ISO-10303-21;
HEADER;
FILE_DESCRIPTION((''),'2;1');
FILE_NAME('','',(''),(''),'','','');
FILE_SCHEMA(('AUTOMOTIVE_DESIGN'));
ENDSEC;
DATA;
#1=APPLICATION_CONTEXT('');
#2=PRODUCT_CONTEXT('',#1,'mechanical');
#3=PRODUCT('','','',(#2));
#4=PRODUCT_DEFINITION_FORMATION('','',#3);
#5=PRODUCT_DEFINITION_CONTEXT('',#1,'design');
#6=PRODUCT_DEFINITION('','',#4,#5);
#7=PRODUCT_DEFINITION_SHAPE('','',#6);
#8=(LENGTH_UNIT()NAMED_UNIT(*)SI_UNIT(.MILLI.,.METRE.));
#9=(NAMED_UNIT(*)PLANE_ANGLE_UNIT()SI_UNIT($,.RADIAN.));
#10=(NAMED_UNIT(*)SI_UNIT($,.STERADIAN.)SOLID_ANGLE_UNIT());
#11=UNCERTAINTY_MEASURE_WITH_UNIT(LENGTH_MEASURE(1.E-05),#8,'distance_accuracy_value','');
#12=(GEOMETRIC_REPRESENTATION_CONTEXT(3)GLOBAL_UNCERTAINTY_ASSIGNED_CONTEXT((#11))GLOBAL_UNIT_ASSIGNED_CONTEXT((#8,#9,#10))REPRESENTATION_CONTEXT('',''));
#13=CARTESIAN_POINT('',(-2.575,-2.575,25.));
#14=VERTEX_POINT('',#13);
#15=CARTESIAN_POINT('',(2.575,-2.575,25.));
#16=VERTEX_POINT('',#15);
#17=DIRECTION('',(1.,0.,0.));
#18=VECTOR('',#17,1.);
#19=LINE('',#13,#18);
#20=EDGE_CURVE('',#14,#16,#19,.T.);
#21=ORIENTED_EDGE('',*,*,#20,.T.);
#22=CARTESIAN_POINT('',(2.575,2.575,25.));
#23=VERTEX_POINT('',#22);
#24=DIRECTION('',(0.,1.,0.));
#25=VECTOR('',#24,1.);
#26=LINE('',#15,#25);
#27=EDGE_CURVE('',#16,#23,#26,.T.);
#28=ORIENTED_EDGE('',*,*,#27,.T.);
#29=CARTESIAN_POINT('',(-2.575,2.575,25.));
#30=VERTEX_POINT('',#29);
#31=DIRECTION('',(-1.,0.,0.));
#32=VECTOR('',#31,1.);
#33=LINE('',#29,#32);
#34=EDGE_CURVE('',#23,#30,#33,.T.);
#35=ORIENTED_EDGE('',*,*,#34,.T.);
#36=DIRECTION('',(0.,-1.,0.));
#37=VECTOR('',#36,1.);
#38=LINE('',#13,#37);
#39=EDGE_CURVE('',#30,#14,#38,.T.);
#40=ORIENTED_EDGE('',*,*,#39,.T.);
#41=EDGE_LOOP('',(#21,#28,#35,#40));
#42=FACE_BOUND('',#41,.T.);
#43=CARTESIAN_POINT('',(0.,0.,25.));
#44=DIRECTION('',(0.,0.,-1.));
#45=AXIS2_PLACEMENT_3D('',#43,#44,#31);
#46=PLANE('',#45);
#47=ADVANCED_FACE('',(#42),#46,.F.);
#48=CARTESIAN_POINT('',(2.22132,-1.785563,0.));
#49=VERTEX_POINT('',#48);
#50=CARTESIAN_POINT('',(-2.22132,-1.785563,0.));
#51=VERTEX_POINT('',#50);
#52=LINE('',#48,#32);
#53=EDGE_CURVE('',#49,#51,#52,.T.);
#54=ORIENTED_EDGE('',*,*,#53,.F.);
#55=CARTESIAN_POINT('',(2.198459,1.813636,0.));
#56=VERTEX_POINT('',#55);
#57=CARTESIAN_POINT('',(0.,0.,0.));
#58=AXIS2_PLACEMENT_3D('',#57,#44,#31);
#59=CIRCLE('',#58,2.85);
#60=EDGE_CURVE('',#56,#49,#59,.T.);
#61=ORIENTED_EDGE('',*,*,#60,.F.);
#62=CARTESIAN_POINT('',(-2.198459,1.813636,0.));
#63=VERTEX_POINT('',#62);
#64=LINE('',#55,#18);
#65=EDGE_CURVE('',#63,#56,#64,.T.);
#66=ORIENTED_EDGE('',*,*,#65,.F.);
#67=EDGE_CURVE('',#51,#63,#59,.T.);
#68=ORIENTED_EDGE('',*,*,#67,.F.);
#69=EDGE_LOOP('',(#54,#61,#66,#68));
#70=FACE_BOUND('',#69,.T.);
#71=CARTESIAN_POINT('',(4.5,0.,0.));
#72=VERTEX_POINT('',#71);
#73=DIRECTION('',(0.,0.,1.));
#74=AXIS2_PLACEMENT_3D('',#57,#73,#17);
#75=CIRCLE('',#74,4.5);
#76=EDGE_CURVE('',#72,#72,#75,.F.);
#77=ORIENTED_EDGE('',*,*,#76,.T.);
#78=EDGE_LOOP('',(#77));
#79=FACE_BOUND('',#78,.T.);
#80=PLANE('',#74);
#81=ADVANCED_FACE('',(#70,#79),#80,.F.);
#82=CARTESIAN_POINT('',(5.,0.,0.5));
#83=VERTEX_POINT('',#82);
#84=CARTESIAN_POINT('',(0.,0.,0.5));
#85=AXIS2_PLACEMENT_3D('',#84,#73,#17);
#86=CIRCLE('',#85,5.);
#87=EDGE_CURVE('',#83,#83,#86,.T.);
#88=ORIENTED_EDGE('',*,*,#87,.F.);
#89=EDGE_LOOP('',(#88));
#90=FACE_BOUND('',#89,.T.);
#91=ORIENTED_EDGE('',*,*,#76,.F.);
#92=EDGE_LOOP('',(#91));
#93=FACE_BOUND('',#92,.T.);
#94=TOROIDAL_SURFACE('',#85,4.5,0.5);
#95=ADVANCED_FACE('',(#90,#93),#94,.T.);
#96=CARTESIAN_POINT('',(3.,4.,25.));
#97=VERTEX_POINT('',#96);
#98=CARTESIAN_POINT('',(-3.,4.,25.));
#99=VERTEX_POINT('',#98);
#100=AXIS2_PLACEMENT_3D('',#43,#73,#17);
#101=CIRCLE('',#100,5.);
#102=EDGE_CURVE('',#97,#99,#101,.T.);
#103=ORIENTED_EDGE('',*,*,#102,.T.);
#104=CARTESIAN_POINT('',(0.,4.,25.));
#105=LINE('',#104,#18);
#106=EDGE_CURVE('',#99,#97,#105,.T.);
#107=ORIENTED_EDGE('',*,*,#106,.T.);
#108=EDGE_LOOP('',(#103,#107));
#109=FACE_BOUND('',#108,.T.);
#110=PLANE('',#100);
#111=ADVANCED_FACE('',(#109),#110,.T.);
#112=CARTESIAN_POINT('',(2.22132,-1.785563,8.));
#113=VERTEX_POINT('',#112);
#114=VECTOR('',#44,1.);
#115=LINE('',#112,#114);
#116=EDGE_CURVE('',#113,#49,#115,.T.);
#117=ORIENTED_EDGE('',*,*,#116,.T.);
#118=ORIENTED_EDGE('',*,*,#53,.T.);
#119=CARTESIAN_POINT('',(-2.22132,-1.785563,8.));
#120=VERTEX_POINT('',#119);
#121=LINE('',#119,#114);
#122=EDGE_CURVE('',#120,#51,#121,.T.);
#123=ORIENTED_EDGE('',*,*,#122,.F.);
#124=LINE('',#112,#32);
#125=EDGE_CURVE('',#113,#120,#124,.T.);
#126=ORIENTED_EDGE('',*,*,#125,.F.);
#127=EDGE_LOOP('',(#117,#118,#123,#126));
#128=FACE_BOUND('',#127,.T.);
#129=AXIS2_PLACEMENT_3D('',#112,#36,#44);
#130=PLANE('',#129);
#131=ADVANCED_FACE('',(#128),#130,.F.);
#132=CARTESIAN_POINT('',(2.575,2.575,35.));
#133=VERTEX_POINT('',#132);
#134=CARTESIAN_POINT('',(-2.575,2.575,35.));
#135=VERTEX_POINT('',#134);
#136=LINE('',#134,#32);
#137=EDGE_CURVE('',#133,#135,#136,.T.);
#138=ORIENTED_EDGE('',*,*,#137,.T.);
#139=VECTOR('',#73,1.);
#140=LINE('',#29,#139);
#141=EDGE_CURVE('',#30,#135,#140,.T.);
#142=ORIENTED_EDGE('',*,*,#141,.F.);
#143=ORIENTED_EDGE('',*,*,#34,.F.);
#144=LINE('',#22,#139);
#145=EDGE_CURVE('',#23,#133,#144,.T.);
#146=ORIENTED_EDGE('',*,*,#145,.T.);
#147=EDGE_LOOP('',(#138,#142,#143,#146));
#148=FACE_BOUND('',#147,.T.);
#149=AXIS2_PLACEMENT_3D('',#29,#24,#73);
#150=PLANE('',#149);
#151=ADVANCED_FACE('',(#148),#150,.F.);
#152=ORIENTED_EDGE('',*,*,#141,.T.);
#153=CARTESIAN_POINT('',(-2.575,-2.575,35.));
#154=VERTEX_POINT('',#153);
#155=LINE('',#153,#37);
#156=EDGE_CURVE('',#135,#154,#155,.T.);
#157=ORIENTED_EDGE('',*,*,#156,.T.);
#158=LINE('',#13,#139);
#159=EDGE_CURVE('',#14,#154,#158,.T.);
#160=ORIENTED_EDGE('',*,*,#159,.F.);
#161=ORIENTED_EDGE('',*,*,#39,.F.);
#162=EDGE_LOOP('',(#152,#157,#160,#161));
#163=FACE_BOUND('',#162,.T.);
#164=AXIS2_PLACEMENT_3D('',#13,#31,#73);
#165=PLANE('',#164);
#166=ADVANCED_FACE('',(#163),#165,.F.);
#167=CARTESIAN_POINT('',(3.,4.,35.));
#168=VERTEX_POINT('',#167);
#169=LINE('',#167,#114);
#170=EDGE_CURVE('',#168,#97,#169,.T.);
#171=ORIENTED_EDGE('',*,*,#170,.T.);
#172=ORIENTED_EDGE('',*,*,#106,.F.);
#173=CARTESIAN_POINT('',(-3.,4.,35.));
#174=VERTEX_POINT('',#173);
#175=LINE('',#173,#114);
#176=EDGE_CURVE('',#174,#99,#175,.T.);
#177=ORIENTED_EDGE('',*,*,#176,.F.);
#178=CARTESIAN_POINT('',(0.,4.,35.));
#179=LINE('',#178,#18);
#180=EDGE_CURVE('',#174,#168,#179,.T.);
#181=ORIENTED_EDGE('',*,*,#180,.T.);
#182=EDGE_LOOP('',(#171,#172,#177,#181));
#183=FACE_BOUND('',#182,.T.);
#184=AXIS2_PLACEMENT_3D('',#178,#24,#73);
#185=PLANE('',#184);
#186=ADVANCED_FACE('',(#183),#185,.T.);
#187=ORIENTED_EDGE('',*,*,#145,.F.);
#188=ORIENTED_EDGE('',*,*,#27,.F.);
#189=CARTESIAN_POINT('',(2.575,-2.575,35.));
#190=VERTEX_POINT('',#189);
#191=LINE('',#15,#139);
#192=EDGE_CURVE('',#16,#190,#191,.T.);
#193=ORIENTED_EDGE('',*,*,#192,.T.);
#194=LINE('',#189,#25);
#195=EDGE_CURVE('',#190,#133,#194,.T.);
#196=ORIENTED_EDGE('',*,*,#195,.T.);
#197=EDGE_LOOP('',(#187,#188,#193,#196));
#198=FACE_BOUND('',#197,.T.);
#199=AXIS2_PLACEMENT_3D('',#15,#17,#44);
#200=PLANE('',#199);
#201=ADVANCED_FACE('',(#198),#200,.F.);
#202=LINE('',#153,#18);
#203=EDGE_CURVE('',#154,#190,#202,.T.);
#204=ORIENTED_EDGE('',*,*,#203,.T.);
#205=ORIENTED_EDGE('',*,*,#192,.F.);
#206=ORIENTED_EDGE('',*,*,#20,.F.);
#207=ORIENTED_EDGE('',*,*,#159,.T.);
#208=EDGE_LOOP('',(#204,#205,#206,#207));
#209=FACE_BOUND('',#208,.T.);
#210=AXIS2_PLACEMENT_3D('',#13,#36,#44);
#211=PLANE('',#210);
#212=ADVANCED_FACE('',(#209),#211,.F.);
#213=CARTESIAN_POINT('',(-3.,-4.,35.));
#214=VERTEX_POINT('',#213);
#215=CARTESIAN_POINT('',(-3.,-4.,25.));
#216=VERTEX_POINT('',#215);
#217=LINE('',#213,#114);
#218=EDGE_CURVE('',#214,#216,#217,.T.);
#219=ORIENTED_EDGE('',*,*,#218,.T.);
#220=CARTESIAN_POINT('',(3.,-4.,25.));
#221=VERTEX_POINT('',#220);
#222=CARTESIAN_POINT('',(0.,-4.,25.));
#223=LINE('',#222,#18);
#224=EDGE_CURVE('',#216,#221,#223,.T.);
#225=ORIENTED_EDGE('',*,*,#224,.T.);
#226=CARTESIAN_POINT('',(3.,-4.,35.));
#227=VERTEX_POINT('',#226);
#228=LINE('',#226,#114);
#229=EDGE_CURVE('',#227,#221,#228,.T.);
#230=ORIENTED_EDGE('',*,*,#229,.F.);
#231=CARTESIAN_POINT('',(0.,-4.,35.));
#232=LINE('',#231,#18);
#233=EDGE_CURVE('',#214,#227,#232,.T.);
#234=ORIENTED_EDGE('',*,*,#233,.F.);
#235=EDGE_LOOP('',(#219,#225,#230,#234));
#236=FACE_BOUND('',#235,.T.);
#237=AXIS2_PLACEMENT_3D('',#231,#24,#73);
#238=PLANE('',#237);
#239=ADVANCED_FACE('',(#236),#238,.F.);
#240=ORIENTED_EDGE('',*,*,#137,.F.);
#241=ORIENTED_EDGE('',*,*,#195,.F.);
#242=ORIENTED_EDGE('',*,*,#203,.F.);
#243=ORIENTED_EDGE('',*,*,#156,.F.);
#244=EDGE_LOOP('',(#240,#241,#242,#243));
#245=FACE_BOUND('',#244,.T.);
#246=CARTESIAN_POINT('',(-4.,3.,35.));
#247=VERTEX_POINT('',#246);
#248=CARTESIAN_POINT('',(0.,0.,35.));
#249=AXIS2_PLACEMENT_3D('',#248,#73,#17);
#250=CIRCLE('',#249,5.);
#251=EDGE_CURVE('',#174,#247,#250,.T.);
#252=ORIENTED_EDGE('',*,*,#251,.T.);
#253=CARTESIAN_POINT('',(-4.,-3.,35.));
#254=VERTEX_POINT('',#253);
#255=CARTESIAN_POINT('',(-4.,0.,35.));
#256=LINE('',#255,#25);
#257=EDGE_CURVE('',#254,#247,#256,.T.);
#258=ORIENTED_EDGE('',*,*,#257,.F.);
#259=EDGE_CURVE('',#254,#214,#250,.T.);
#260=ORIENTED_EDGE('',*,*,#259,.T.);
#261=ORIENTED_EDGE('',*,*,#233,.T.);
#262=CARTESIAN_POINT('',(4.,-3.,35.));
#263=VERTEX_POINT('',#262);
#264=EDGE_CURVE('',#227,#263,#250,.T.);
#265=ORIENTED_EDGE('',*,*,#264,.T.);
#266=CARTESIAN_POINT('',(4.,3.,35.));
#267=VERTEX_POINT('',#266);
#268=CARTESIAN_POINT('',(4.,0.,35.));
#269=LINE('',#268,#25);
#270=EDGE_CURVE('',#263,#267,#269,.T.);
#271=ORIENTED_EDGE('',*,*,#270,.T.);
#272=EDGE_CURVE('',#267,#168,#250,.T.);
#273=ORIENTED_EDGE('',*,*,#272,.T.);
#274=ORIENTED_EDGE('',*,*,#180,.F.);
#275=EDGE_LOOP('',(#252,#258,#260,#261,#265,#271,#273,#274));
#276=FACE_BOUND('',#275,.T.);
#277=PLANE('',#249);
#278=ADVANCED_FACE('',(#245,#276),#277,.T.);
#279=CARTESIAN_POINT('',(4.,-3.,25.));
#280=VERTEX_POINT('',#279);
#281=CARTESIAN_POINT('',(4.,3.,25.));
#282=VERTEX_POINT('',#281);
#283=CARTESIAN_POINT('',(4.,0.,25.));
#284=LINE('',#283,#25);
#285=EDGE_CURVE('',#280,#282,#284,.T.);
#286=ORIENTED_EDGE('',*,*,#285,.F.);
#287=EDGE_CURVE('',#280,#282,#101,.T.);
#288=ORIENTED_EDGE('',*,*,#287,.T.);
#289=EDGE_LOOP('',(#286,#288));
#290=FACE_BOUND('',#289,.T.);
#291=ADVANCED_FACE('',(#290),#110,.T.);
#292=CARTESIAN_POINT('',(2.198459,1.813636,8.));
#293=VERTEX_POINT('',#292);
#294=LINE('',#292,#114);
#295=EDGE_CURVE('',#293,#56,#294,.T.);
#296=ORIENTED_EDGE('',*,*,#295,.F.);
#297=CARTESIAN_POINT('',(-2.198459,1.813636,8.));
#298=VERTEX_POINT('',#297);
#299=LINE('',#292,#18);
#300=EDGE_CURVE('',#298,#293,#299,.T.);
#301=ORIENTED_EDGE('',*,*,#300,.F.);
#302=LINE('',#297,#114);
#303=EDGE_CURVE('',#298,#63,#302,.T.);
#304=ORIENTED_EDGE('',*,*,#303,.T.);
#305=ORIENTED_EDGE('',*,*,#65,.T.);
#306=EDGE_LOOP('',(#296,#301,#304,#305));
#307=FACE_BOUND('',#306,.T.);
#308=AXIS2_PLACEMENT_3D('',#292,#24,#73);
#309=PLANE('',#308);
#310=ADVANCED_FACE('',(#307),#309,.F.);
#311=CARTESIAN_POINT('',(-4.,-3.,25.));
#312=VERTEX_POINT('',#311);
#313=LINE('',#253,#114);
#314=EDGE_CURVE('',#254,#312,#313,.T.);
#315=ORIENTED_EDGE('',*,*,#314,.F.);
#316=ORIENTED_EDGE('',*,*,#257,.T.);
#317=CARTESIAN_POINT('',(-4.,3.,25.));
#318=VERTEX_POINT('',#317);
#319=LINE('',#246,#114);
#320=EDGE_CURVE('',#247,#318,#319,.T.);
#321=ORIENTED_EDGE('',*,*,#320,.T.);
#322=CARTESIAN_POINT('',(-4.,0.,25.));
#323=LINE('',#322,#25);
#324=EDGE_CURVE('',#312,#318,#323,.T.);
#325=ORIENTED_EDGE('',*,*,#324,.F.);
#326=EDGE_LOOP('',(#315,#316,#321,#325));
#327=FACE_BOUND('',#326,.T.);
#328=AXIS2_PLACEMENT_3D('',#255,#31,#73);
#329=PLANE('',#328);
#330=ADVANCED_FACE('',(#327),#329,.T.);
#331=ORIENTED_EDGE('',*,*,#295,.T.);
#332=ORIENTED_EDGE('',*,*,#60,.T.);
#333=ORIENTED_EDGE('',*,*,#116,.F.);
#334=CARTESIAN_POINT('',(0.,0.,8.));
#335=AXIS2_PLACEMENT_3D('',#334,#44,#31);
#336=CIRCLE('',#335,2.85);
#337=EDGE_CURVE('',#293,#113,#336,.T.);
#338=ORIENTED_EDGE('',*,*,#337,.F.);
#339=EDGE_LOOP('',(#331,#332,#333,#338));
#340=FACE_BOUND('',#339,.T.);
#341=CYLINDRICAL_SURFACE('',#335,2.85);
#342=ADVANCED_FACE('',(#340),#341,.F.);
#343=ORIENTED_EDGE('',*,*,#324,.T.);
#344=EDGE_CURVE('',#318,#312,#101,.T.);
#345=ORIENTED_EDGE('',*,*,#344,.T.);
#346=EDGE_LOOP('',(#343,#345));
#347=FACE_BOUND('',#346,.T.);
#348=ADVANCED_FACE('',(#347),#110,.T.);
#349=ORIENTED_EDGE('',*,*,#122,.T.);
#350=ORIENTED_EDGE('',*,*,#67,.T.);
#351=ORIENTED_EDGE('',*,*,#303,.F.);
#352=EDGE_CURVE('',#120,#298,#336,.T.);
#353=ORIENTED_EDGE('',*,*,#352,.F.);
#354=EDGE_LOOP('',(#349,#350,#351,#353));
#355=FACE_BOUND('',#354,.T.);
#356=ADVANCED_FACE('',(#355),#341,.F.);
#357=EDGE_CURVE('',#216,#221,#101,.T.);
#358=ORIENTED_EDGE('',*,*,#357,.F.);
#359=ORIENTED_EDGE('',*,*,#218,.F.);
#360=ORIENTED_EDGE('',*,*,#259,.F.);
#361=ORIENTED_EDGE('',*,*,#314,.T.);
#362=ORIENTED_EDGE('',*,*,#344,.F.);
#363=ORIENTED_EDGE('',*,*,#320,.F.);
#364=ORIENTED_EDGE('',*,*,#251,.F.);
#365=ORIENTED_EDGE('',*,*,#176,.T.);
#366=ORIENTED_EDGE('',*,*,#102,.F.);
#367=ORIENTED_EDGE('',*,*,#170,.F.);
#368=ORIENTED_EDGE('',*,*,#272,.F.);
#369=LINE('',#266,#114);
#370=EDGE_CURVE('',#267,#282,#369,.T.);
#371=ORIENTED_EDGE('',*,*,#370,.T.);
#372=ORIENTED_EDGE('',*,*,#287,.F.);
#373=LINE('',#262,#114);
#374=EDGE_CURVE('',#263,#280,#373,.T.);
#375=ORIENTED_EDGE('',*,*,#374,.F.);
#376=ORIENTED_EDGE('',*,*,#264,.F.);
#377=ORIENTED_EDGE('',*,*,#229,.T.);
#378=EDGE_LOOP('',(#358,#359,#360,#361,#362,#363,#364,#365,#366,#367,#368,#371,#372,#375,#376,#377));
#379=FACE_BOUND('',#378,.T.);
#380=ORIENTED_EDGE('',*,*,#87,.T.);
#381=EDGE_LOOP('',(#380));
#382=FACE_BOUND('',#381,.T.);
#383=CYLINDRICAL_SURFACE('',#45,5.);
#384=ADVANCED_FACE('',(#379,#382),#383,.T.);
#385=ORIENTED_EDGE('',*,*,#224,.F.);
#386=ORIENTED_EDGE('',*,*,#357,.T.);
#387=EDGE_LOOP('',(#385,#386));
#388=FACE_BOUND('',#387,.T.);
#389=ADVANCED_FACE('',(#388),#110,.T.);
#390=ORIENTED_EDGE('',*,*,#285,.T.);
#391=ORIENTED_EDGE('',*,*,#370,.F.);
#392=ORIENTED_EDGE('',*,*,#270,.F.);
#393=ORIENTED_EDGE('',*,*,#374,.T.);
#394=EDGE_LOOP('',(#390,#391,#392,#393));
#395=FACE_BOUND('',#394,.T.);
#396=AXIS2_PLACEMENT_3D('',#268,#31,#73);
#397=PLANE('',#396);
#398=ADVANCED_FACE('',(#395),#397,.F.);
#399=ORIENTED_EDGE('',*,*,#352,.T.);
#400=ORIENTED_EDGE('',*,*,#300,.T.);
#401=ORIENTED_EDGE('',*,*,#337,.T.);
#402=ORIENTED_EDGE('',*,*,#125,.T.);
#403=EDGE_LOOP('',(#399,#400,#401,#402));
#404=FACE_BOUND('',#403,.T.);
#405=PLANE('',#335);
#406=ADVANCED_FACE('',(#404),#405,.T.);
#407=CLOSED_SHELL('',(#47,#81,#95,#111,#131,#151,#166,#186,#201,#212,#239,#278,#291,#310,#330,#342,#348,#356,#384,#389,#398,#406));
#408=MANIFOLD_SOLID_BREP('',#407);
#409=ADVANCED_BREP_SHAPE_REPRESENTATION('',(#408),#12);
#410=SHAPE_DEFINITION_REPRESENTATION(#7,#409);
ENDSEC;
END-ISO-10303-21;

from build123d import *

# Parameters (mm, degrees)
SKETCH1_R           = 5
BOSS_EXTRUDE1_DEPTH = 25
CUT_EXTRUDE1_DEPTH  = 8
BOSS_EXTRUDE2_DEPTH = 10
SKETCH4_W           = 5.15
SKETCH4_H           = 5.15
CUT_EXTRUDE2_DEPTH  = 10
FILLET1_R           = 0.5


with BuildPart() as part:
    # Sketch1 → Boss-Extrude1 (new body)
    with BuildSketch(Plane.XY):
        Circle(SKETCH1_R)
    extrude(amount=BOSS_EXTRUDE1_DEPTH)

    # Sketch2 → Cut-Extrude1 (cut)
    with BuildSketch(Plane(origin=(0, 0, 0), x_dir=(-1, 0, 0), z_dir=(0, 0, -1))):
        with BuildLine():
            Line((-2.221320345, -1.785563195), (2.221320345, -1.785563195))
            ThreePointArc((2.221320345, -1.785563195), (2.849942511, 0.018102015), (2.198459265, 1.813636364))
            Line((2.198459265, 1.813636364), (-2.198459265, 1.813636364))
            ThreePointArc((-2.198459265, 1.813636364), (-2.849942511, 0.018102015), (-2.221320345, -1.785563195))
        make_face()
    extrude(amount=-CUT_EXTRUDE1_DEPTH, mode=Mode.SUBTRACT)

    # Sketch3 → Boss-Extrude2 (add)
    with BuildSketch(Plane.XY.offset(25)):
        with BuildLine():
            ThreePointArc((-4, -3), (-3.535533906, -3.535533906), (-3, -4))
            Line((-3, -4), (3, -4))
            ThreePointArc((3, -4), (3.535533906, -3.535533906), (4, -3))
            Line((4, -3), (4, 3))
            ThreePointArc((4, 3), (3.535533906, 3.535533906), (3, 4))
            Line((3, 4), (-3, 4))
            ThreePointArc((-3, 4), (-3.535533906, 3.535533906), (-4, 3))
            Line((-4, 3), (-4, -3))
        make_face()
    extrude(amount=BOSS_EXTRUDE2_DEPTH)

    # Sketch4 → Cut-Extrude2 (cut)
    with BuildSketch(Plane.XY.offset(35)):
        Rectangle(SKETCH4_W, SKETCH4_H)
    extrude(amount=-CUT_EXTRUDE2_DEPTH, mode=Mode.SUBTRACT)

    # Fillet1
    fillet1_edges = [part.edges().sort_by_distance(p)[0] for p in [
        (-5, 0, 0),
    ]]
    fillet(fillet1_edges, radius=FILLET1_R)


solid = part.part
